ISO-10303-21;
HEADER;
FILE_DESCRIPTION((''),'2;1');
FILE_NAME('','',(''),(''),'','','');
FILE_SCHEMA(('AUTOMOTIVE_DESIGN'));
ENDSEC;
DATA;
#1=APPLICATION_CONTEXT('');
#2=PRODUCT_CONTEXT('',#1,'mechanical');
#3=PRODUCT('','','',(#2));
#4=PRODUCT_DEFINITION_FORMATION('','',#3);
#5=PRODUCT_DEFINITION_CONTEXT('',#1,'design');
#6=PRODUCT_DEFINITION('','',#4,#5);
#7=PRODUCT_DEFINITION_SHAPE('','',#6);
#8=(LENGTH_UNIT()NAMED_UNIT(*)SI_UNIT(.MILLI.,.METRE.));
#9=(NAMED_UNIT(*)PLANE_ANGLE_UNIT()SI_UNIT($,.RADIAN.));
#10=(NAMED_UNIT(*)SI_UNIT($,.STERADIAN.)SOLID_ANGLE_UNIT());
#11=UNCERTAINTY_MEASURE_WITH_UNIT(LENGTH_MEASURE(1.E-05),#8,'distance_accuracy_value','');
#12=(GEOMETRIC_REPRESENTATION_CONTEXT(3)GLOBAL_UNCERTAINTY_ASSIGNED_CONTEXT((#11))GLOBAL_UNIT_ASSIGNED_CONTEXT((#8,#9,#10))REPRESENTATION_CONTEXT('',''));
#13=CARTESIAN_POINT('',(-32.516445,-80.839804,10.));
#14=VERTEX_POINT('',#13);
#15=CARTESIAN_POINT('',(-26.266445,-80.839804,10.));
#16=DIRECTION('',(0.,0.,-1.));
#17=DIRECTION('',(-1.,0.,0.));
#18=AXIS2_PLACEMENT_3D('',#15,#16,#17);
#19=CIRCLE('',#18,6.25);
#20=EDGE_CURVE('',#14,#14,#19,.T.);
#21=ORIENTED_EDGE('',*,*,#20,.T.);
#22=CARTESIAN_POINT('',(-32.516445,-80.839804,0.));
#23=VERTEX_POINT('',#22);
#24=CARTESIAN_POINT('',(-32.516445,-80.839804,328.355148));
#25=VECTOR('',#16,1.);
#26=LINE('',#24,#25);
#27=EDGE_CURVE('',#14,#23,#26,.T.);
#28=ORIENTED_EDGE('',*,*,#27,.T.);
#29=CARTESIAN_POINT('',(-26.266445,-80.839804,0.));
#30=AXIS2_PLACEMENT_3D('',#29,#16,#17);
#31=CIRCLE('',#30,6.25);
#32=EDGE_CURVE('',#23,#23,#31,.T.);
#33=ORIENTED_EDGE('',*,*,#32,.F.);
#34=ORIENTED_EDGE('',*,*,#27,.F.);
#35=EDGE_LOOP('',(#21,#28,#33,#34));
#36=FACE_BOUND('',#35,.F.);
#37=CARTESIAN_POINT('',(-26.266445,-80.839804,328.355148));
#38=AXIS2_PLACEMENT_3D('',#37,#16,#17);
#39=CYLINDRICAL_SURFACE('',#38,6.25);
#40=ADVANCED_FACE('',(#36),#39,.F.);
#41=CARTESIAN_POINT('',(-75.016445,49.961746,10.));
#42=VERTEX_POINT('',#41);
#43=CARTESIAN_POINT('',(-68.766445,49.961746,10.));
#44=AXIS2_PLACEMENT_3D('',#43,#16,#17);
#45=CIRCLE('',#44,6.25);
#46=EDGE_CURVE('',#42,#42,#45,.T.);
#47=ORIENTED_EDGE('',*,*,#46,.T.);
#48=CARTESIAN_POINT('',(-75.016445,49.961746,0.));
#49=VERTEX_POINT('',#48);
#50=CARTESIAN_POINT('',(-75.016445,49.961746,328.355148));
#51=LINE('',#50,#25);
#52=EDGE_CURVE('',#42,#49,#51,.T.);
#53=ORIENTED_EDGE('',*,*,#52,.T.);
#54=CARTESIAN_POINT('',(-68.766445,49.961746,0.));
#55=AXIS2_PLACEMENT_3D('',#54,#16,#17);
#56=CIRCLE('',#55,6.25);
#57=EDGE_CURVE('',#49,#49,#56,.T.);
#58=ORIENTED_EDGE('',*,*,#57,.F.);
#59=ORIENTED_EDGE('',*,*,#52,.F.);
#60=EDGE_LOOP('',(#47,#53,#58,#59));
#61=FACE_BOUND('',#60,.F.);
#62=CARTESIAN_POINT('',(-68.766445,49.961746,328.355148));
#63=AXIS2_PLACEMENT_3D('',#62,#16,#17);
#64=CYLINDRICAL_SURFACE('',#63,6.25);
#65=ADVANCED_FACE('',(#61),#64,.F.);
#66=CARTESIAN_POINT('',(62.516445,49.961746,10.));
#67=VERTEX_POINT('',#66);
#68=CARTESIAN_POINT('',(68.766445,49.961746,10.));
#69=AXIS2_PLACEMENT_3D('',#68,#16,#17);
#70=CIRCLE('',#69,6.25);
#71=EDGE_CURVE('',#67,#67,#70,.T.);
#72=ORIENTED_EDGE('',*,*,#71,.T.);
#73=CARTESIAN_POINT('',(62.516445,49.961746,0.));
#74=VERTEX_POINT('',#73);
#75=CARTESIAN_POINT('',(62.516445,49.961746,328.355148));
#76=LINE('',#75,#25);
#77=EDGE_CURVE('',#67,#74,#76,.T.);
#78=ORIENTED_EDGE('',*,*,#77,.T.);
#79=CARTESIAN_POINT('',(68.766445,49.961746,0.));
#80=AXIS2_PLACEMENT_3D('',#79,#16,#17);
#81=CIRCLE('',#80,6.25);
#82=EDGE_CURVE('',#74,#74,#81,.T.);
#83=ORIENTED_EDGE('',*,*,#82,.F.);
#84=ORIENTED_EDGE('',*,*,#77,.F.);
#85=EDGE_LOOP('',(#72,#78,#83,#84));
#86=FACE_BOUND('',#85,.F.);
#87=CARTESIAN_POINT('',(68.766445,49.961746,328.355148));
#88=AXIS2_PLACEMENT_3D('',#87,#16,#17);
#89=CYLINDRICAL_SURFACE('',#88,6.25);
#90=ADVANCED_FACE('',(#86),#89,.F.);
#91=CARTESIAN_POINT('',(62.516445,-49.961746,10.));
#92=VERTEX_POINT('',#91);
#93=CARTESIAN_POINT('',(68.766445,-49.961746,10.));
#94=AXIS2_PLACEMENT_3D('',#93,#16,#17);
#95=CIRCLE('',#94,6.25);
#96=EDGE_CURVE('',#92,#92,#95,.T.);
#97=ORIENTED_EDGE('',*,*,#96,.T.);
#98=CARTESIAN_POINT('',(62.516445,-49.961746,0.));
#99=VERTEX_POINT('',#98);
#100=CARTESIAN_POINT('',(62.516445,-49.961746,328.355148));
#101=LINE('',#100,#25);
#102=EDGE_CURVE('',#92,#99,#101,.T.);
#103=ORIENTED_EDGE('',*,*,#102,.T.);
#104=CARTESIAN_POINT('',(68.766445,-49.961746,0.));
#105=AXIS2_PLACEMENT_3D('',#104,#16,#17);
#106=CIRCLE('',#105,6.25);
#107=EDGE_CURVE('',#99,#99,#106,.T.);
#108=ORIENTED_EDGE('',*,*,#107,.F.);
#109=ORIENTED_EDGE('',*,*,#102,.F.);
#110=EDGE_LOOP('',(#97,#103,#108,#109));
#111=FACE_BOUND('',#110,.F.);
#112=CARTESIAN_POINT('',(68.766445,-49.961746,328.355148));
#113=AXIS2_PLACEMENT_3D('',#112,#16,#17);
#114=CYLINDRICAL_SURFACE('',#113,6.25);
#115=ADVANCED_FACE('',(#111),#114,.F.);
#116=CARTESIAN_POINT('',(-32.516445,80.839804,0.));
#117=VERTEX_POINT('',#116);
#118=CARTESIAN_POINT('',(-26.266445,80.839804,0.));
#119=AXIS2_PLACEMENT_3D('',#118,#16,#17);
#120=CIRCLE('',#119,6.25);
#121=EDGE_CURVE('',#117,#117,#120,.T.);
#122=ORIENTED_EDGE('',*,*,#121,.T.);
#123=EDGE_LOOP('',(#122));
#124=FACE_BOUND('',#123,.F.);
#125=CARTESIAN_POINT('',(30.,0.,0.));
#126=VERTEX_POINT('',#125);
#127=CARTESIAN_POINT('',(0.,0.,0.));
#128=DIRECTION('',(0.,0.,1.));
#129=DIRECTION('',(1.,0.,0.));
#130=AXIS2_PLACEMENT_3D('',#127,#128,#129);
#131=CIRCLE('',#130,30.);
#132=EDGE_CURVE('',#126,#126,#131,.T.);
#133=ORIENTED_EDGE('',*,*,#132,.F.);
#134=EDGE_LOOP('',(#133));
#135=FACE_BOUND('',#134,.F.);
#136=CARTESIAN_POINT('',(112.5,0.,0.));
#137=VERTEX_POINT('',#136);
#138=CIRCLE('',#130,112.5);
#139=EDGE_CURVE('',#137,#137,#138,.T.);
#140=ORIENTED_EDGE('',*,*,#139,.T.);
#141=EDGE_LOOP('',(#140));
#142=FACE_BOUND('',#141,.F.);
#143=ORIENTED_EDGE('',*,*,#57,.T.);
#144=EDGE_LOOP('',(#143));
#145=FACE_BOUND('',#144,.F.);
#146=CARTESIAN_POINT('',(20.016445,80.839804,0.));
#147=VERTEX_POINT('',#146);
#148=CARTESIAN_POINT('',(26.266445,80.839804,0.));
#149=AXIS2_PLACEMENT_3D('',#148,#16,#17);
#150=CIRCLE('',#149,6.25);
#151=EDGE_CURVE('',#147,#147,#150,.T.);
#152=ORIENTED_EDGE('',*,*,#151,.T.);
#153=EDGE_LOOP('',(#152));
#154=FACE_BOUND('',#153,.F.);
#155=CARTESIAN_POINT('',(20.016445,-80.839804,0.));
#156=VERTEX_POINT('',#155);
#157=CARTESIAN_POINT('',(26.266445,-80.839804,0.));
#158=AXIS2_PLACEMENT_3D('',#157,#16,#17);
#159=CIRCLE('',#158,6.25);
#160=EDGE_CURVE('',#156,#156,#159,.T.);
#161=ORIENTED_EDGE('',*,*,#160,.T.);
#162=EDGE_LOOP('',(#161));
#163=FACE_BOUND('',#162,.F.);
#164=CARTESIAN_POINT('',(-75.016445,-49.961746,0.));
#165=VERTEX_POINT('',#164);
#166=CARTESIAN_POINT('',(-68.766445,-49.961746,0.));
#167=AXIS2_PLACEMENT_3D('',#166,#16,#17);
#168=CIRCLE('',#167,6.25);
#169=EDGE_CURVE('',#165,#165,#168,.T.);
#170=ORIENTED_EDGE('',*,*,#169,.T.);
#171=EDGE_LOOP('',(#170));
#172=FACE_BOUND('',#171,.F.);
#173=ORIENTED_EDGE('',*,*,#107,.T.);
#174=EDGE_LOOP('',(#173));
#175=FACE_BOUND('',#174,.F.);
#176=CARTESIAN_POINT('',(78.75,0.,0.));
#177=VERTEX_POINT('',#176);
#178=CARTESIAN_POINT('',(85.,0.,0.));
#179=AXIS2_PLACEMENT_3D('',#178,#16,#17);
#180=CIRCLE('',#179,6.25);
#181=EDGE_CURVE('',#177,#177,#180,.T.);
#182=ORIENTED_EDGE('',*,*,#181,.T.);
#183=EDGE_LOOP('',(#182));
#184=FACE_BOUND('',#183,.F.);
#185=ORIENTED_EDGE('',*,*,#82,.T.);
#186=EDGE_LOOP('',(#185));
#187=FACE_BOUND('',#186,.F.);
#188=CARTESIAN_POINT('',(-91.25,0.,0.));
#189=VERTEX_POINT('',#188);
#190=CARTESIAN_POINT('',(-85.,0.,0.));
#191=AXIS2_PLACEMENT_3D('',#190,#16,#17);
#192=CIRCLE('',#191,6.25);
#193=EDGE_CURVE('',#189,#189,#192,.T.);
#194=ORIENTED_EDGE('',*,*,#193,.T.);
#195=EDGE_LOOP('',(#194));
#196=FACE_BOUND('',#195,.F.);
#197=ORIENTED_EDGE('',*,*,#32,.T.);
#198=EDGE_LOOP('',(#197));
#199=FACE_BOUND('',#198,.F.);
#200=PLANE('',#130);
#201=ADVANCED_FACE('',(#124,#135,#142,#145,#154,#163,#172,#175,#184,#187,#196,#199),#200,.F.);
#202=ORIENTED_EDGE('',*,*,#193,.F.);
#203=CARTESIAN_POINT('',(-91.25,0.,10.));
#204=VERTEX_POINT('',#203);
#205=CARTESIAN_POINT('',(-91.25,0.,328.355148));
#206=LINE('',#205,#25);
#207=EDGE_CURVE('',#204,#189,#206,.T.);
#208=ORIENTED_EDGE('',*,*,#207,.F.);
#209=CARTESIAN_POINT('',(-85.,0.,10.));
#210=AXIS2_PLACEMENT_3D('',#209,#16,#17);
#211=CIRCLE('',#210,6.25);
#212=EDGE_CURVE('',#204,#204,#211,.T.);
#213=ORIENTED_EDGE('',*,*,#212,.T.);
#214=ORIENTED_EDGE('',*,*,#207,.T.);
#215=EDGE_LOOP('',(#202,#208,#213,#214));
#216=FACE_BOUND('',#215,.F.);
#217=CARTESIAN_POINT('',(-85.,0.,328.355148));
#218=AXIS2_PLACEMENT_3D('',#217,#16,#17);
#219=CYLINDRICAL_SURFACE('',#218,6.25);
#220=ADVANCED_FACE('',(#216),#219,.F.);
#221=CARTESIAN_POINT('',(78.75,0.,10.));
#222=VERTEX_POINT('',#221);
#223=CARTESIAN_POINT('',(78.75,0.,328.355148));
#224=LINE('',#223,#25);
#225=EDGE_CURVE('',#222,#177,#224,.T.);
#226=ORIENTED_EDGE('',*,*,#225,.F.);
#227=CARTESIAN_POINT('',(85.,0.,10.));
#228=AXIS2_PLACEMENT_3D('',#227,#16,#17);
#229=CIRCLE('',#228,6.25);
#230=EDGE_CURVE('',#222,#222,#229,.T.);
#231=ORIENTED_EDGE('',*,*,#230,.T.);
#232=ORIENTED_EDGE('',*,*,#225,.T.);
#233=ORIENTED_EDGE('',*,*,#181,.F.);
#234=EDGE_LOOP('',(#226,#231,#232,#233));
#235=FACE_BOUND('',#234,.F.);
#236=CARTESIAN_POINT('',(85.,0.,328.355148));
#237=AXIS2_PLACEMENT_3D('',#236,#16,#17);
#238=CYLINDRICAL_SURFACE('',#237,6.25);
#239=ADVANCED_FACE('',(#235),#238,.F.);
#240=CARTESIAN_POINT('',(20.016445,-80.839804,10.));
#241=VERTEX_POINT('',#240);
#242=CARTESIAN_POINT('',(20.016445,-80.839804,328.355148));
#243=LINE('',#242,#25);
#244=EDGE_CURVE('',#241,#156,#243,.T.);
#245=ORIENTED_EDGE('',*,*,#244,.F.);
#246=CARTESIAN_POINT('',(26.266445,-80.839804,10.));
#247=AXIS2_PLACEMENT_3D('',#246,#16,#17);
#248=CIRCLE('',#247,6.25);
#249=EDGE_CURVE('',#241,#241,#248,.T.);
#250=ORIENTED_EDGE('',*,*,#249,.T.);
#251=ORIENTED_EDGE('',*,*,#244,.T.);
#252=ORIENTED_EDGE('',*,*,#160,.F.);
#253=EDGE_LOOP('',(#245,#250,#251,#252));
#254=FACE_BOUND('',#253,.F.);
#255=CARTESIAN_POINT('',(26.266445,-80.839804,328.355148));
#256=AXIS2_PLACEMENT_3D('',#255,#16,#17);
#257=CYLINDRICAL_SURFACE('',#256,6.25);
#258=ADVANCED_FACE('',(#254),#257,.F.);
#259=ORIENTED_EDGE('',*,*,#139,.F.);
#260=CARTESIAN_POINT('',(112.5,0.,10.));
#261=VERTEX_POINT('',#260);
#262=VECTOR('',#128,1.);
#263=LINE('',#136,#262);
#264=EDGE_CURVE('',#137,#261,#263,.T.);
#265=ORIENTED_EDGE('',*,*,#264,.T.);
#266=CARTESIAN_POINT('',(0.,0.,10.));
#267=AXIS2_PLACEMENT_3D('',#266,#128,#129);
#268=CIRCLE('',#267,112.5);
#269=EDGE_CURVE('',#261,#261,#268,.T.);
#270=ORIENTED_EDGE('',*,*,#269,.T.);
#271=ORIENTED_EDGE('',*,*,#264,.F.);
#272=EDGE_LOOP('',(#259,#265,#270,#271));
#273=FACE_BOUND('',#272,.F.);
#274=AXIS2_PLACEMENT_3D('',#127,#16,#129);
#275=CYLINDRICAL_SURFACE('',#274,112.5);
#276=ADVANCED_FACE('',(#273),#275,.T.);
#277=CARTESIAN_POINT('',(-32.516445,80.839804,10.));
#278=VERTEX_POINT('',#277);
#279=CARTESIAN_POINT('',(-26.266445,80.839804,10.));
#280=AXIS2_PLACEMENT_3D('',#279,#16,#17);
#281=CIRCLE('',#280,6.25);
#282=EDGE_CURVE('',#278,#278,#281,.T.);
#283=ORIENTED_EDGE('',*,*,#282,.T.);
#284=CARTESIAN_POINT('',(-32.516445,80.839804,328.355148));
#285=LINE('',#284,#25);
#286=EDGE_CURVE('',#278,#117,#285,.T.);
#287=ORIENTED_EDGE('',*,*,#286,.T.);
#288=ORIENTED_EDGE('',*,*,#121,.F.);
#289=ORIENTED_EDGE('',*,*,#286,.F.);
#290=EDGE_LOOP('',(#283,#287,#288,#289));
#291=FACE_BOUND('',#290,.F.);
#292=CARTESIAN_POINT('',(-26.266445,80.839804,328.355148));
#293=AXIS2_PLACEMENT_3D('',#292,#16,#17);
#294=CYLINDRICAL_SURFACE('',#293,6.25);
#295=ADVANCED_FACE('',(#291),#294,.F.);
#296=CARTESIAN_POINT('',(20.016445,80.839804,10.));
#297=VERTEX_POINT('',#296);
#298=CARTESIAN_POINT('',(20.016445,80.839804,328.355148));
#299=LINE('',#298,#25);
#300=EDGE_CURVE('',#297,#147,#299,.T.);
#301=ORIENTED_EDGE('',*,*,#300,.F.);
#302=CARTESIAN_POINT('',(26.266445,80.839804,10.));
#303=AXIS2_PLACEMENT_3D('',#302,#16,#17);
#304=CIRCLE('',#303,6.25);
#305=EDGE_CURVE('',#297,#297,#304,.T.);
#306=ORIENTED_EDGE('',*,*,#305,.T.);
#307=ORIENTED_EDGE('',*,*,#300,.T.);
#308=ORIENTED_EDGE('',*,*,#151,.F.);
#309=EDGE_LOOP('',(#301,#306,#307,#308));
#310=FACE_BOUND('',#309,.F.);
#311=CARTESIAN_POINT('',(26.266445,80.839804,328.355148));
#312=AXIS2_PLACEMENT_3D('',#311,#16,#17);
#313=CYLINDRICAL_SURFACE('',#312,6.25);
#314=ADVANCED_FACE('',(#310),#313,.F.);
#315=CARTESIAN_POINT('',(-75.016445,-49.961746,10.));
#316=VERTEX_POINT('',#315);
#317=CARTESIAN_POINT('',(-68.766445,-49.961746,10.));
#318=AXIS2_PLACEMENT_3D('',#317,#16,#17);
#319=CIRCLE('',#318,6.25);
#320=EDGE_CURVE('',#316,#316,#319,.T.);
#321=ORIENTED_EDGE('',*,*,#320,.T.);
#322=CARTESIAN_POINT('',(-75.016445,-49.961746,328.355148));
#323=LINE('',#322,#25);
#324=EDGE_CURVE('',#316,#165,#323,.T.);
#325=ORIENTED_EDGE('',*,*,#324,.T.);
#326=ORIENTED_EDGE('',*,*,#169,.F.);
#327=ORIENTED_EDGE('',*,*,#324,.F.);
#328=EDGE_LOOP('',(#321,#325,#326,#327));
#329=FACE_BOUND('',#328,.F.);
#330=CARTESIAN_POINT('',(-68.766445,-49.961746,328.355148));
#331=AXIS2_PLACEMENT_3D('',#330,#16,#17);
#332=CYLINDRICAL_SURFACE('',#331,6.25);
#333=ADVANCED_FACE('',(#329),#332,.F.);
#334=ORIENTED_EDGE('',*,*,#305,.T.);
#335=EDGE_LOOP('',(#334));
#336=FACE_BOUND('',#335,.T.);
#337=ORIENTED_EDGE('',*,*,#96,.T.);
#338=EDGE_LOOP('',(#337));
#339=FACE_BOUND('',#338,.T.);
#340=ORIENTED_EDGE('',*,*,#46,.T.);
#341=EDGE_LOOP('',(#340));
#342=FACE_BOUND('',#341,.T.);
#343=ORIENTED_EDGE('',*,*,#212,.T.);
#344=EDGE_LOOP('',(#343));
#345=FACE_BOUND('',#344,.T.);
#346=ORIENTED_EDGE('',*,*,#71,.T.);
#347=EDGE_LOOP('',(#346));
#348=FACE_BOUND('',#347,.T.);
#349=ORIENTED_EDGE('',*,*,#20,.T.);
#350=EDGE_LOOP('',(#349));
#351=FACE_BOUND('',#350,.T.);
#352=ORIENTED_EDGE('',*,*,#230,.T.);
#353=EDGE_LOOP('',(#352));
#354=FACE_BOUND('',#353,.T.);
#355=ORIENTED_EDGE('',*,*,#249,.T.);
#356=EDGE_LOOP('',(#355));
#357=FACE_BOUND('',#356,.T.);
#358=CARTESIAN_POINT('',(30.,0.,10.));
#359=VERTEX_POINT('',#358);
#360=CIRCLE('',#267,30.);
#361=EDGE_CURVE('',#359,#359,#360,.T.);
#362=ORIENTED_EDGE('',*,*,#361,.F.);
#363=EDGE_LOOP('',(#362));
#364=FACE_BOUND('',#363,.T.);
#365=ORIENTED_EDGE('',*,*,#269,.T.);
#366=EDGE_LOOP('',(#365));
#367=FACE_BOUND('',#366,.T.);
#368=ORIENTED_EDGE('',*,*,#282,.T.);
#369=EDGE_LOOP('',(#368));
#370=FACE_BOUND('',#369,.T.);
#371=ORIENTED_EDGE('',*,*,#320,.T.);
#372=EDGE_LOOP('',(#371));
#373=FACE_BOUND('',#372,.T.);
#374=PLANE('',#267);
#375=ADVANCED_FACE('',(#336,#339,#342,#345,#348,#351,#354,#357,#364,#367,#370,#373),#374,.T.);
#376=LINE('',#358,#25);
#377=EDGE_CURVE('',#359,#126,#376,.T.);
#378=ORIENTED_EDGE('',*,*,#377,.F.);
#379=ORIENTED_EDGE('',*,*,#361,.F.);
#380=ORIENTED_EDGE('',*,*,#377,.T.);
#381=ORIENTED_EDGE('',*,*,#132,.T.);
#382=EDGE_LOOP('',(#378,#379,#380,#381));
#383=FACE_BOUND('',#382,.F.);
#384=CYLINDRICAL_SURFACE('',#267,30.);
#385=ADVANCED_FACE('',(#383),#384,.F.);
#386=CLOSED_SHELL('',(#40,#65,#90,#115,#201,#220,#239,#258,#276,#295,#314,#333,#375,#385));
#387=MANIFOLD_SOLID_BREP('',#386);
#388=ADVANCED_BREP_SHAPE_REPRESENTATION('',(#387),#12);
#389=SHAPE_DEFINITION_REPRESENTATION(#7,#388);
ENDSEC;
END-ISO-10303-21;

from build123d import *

# Parameters (mm, degrees)
F0_R     = 112.5
F1_DEPTH = 10
F2_R     = 30
F3_DEPTH = 10
F5_D     = 12.5


with BuildPart() as f1:
    # F0 (on Top) → F1 (new body)
    with BuildSketch(Plane.XY):
        Circle(F0_R)
    extrude(amount=F1_DEPTH)

    # F2 (on face) → F3 (cut, through all)
    with BuildSketch(Plane.XY.offset(10)):
        Circle(F2_R)
    extrude(amount=-F3_DEPTH, mode=Mode.SUBTRACT)

    # F5 (through all)
    with Locations(Plane.XY.offset(10)):
        with Locations((85, 0), (68.766445, -49.961746), (68.766445, 49.961746), (26.266445, 80.839804), (-26.266445, 80.839804), (-68.766445, 49.961746), (-85, 0), (-68.766445, -49.961746), (-26.266445, -80.839804), (26.266445, -80.839804)):
            Hole(F5_D / 2)


solid = f1.part
